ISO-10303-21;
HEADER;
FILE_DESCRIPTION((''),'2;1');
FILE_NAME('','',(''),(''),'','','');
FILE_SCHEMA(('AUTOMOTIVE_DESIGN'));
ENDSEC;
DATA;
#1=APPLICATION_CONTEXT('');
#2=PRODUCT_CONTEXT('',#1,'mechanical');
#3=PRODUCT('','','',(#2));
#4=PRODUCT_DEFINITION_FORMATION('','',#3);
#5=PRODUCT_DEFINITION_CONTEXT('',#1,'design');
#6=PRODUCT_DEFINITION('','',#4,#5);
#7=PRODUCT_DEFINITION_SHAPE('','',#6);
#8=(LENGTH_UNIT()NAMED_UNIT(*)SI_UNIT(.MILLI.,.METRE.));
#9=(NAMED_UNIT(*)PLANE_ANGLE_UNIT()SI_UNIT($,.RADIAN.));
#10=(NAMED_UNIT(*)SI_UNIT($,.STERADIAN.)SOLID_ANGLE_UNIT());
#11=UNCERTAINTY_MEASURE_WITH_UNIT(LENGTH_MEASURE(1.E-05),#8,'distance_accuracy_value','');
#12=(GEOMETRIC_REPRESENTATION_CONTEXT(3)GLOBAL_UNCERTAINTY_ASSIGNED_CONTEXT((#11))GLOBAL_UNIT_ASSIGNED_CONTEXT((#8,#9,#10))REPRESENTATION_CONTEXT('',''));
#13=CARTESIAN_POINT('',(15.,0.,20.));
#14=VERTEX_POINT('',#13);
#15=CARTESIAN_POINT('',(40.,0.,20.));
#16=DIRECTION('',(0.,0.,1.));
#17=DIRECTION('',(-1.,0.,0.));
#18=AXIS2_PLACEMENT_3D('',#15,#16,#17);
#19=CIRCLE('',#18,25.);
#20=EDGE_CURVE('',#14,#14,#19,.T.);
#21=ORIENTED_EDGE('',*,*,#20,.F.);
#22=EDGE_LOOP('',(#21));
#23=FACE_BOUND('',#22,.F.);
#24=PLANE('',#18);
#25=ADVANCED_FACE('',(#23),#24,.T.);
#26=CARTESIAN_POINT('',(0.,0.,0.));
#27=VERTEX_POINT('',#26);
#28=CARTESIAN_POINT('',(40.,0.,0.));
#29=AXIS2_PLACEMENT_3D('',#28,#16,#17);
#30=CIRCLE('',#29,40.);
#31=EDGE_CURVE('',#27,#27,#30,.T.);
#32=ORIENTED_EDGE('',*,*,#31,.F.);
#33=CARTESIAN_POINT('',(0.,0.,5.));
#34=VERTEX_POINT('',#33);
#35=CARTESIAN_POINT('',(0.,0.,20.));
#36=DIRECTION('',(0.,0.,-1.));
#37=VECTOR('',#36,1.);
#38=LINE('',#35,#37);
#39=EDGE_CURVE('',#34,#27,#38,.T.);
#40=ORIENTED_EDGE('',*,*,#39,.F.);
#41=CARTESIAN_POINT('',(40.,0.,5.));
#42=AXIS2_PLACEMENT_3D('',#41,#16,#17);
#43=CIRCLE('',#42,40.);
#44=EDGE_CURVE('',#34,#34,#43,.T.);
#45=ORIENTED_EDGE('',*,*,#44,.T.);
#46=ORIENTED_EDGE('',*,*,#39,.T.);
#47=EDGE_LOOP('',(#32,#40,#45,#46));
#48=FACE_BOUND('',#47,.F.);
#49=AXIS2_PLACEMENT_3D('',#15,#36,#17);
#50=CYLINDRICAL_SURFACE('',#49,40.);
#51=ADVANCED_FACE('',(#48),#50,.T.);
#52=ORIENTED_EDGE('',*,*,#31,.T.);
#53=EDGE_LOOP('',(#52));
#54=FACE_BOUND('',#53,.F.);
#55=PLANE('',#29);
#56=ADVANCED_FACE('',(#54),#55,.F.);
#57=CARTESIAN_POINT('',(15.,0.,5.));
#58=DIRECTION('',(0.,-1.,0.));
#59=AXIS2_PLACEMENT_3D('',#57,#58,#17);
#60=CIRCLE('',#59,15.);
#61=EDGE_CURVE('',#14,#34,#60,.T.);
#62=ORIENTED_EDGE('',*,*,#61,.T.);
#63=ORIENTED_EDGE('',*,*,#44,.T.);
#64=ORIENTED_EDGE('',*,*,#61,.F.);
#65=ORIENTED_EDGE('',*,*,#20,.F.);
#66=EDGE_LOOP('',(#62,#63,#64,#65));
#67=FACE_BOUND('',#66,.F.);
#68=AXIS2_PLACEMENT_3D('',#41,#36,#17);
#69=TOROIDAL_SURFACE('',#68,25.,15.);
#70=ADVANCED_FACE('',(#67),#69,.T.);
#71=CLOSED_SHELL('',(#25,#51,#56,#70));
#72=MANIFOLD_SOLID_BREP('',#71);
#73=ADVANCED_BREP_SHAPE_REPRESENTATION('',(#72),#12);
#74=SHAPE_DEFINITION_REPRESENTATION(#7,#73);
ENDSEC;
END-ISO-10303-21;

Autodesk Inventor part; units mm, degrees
ref_plane "YZ Plane" through (0, 0, 0) normal (1, 0, 0) x (0, 1, 0)
ref_plane "XZ Plane" through (0, 0, 0) normal (0, 1, 0) x (-1, 0, 0)
ref_plane "XY Plane" through (0, 0, 0) normal (0, 0, 1) x (1, 0, 0)
sketch "Sketch1" plane through (0, 0, 0) normal (0, 1, 0) x (-1, 0, 0)
  line L0 (0, 0) -> (-40, 0)
  line L1 (-40, 0) -> (-40, 20)
  line L2 (-40, 20) -> (0, 20)
  line L3 (0, 20) -> (0, 0)
  dimension "d0" = 40
  dimension "d1" = 20
revolve "Revolution1" add sketch "Sketch1" angle 360 about axis through (40, 0, 0) along (0, 0, 1)
fillet "Fillet1" radius 15 1 edges at (80, 0, 20)
properties part number "Top_and_Bottom"
